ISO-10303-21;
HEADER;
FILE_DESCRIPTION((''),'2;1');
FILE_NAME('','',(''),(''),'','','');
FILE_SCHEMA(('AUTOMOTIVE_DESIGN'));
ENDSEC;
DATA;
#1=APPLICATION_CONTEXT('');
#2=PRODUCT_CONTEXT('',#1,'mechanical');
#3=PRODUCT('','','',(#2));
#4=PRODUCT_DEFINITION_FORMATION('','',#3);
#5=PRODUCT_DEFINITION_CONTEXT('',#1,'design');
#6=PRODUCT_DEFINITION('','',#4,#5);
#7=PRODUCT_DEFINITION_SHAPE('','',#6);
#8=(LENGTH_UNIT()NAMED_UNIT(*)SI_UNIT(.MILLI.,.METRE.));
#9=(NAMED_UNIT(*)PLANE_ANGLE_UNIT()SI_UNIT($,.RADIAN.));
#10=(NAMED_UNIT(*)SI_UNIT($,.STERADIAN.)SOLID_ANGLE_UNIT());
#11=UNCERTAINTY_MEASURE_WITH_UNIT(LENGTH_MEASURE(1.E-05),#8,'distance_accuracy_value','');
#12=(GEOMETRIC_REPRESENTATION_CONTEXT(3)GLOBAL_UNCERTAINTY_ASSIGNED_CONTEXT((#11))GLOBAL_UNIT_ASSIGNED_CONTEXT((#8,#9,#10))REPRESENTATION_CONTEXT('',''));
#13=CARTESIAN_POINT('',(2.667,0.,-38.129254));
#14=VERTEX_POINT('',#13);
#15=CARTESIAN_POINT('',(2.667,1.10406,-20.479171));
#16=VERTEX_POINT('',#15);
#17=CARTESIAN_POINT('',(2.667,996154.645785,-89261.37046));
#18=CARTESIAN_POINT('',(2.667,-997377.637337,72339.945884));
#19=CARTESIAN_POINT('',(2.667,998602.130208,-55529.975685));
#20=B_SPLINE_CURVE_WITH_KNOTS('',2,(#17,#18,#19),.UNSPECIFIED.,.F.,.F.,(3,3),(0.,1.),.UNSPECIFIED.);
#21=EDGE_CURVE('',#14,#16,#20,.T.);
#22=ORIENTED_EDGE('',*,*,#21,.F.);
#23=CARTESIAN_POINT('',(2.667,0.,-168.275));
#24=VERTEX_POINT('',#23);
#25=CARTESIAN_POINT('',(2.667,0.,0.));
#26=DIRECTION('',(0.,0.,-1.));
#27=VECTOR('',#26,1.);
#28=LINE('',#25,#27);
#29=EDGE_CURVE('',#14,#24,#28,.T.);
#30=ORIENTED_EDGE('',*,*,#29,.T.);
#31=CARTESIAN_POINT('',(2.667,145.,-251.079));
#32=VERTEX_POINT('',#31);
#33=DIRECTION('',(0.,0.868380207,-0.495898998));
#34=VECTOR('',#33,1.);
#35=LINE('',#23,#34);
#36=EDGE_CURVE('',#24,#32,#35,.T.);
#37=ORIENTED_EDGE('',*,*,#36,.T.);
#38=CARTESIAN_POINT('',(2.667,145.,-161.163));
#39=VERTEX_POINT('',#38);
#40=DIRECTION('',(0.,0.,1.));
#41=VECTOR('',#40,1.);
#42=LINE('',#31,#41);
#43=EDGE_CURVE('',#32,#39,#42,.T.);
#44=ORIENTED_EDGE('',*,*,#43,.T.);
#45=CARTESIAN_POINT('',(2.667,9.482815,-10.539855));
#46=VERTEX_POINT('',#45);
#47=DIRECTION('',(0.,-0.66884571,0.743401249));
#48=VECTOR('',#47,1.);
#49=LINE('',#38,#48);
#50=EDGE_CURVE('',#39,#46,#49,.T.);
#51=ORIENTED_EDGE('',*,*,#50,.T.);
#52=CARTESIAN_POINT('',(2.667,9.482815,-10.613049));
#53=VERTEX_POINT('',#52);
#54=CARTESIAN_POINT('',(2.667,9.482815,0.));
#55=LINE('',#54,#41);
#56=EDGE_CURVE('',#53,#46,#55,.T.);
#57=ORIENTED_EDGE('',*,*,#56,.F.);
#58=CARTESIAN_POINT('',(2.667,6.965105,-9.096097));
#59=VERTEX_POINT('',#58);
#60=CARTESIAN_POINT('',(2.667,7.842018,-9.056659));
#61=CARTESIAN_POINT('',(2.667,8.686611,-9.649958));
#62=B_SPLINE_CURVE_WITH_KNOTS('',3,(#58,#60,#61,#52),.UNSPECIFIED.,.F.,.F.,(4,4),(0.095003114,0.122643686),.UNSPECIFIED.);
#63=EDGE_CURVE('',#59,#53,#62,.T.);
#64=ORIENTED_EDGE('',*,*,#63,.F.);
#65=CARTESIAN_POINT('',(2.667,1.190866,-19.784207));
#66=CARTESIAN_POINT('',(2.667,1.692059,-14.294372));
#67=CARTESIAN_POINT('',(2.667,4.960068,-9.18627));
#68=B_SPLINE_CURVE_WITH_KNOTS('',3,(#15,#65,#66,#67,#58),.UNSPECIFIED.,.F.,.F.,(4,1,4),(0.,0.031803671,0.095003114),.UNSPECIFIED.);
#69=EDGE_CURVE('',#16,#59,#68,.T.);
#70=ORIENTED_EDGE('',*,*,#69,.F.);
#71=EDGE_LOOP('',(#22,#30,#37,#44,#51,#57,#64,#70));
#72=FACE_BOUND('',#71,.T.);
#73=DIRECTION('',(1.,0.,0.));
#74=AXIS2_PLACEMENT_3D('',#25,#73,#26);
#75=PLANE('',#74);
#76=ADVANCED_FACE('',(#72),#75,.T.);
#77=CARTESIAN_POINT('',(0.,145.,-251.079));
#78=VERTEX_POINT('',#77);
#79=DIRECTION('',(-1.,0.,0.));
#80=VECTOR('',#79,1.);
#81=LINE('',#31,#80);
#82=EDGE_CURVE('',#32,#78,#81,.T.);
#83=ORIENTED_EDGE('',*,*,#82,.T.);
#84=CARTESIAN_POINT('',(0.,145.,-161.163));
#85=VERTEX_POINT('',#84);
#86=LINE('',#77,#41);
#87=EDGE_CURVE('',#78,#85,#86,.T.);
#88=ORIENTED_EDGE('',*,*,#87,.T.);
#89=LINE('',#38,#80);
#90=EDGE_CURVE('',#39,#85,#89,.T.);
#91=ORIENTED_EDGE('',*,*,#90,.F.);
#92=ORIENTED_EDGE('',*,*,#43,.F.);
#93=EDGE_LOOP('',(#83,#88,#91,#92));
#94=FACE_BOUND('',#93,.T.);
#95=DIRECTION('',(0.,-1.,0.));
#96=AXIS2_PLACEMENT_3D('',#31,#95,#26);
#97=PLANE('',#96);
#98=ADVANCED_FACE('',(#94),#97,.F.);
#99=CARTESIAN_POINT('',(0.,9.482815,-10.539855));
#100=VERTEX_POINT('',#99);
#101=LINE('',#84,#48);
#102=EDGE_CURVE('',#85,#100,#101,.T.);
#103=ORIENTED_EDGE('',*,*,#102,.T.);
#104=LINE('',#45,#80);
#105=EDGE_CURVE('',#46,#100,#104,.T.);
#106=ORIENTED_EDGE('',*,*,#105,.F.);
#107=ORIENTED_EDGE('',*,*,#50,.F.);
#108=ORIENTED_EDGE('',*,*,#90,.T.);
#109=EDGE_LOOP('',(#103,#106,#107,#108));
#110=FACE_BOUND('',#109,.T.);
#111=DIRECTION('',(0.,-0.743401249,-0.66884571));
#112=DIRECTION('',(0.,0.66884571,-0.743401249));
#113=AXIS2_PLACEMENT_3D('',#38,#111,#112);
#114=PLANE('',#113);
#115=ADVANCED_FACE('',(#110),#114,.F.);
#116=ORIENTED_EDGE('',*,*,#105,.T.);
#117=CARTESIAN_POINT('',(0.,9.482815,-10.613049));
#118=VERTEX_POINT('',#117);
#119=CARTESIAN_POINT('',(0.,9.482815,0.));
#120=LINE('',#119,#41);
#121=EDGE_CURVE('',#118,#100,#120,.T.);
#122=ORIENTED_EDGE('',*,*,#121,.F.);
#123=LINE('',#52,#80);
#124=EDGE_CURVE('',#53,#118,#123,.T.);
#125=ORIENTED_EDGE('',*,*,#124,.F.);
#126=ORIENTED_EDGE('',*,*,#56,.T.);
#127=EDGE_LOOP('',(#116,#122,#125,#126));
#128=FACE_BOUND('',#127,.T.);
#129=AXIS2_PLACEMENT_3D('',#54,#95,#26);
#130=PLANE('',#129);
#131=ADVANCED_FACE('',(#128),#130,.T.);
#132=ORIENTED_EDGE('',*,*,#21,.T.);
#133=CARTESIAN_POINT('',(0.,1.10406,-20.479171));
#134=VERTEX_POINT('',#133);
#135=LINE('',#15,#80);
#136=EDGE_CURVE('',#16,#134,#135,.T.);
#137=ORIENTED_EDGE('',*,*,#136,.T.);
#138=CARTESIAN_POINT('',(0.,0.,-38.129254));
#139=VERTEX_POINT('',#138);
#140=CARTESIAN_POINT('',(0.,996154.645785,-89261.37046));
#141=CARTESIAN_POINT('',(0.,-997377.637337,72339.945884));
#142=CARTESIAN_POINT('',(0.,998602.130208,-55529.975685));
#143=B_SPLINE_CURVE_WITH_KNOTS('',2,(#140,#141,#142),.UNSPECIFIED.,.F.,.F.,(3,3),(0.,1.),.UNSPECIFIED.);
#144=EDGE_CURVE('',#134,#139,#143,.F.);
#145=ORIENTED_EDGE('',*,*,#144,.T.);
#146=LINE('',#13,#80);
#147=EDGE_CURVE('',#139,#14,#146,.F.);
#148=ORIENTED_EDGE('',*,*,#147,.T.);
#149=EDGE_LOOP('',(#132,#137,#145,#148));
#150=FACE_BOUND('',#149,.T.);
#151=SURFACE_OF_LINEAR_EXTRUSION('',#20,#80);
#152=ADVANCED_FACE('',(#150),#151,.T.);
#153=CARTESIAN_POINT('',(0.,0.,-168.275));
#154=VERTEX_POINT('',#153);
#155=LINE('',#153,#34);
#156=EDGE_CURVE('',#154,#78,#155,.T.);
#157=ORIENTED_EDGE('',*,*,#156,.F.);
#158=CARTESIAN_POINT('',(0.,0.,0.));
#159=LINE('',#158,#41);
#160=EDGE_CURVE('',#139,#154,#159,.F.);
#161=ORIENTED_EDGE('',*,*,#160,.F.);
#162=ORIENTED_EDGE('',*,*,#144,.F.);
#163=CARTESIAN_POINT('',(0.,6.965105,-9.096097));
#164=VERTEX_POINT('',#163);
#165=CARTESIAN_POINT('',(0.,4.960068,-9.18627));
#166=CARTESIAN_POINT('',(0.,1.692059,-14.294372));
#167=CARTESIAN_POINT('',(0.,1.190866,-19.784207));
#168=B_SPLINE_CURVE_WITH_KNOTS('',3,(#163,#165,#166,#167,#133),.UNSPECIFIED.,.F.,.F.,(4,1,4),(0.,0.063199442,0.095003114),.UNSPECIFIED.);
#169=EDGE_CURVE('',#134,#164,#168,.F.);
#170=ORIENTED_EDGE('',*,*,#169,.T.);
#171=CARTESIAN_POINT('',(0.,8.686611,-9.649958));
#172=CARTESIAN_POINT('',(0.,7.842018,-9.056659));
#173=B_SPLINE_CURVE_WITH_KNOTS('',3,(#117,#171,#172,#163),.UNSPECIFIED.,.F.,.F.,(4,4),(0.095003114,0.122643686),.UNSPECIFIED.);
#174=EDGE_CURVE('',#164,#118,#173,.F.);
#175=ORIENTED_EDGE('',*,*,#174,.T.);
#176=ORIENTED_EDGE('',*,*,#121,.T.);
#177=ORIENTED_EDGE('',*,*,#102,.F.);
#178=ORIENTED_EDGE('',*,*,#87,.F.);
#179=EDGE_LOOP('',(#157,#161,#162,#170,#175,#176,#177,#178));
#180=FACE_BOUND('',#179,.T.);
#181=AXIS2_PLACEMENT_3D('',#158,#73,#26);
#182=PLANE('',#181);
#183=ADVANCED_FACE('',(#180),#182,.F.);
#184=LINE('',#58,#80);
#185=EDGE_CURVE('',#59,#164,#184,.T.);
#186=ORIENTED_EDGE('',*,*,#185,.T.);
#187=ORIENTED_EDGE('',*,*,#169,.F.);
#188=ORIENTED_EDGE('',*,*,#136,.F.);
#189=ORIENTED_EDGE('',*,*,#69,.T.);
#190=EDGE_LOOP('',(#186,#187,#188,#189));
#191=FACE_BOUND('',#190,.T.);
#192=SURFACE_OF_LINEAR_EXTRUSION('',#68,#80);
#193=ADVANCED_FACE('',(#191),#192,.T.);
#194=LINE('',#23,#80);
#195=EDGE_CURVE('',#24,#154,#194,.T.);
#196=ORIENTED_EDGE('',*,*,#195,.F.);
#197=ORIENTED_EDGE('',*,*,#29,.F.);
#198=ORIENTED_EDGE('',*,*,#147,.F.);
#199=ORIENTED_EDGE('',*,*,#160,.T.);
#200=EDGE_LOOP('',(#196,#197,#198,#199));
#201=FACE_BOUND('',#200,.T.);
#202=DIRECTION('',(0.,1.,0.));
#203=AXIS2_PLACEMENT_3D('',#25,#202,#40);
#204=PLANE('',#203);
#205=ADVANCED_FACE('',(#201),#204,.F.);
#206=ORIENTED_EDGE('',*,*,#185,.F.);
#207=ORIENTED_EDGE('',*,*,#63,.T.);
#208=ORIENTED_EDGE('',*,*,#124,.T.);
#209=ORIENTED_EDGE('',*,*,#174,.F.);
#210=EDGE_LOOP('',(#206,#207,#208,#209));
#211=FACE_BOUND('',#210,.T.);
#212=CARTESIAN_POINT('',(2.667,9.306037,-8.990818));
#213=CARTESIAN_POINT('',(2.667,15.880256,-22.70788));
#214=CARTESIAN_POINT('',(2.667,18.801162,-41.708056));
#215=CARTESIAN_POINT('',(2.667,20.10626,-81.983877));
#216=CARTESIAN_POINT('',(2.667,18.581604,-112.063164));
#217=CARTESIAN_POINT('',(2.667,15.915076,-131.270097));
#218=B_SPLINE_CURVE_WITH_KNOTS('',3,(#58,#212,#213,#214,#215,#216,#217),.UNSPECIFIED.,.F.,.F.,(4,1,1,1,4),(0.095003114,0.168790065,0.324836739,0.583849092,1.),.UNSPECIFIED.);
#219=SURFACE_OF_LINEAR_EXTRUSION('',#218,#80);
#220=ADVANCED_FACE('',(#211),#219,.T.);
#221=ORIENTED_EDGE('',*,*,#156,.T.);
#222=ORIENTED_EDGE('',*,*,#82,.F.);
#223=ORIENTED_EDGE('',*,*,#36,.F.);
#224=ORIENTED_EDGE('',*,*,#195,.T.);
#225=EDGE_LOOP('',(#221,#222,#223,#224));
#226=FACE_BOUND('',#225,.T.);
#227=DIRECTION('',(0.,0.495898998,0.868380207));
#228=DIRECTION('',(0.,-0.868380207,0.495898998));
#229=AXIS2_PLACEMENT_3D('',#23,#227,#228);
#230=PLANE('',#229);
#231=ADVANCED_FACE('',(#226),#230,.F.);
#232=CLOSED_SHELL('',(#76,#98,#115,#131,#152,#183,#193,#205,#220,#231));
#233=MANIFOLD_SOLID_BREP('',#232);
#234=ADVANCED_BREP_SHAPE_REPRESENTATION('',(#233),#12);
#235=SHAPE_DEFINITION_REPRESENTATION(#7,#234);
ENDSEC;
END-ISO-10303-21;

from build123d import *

# Parameters (mm, degrees)
BOSS_EXTRUDE1_DEPTH = 2.667
CUT_EXTRUDE1_DEPTH  = 290.953060218


with BuildPart() as part:
    # Sketch1 → Boss-Extrude1 (new body)
    with BuildSketch(Plane(origin=(0, 0, 0), x_dir=(0, 0, -1), z_dir=(1, 0, 0))):
        Polygon((0, 0), (168.275, 0), (251.079, 145), (161.163, 145), align=None)
    extrude(amount=BOSS_EXTRUDE1_DEPTH)

    # Sketch2 → Cut-Extrude1 (cut, through all)
    with BuildSketch(Plane.ZY):
        with BuildLine():
            Line((-38.268496776, -3.7413e-05), (1.603827089, -0.136652983))
            Line((1.603827089, -0.136652983), (-7.656991971, 9.482815094))
            Line((-7.656991971, 9.482815094), (-10.613049229, 9.482815094))
            add(Edge.make_bspline(
                [(-9.096096952, 6.965105301), (-9.056659473, 7.842017541), (-9.649957621, 8.686611456), (-10.613049229, 9.482815094)],
                knots=[0.095003114, 0.095003114, 0.095003114, 0.095003114, 0.122643686, 0.122643686, 0.122643686, 0.122643686], degree=3))
            add(Edge.make_bspline(
                [(-20.479171235, 1.104059742), (-19.78420669, 1.190866413), (-14.294371688, 1.692059126), (-9.186269713, 4.960068489), (-9.096096952, 6.965105301)],
                knots=[0, 0, 0, 0, 0.031803671, 0.095003114, 0.095003114, 0.095003114, 0.095003114], degree=3))
            add(Edge.make_bspline(
                [(-38.268496776, -3.7413e-05), (-29.333639406, -0.001953509), (-20.479171235, 1.104059742)],
                knots=[0, 0, 0, 1, 1, 1], degree=2))
        make_face()
    extrude(amount=-CUT_EXTRUDE1_DEPTH, mode=Mode.SUBTRACT)


solid = part.part
